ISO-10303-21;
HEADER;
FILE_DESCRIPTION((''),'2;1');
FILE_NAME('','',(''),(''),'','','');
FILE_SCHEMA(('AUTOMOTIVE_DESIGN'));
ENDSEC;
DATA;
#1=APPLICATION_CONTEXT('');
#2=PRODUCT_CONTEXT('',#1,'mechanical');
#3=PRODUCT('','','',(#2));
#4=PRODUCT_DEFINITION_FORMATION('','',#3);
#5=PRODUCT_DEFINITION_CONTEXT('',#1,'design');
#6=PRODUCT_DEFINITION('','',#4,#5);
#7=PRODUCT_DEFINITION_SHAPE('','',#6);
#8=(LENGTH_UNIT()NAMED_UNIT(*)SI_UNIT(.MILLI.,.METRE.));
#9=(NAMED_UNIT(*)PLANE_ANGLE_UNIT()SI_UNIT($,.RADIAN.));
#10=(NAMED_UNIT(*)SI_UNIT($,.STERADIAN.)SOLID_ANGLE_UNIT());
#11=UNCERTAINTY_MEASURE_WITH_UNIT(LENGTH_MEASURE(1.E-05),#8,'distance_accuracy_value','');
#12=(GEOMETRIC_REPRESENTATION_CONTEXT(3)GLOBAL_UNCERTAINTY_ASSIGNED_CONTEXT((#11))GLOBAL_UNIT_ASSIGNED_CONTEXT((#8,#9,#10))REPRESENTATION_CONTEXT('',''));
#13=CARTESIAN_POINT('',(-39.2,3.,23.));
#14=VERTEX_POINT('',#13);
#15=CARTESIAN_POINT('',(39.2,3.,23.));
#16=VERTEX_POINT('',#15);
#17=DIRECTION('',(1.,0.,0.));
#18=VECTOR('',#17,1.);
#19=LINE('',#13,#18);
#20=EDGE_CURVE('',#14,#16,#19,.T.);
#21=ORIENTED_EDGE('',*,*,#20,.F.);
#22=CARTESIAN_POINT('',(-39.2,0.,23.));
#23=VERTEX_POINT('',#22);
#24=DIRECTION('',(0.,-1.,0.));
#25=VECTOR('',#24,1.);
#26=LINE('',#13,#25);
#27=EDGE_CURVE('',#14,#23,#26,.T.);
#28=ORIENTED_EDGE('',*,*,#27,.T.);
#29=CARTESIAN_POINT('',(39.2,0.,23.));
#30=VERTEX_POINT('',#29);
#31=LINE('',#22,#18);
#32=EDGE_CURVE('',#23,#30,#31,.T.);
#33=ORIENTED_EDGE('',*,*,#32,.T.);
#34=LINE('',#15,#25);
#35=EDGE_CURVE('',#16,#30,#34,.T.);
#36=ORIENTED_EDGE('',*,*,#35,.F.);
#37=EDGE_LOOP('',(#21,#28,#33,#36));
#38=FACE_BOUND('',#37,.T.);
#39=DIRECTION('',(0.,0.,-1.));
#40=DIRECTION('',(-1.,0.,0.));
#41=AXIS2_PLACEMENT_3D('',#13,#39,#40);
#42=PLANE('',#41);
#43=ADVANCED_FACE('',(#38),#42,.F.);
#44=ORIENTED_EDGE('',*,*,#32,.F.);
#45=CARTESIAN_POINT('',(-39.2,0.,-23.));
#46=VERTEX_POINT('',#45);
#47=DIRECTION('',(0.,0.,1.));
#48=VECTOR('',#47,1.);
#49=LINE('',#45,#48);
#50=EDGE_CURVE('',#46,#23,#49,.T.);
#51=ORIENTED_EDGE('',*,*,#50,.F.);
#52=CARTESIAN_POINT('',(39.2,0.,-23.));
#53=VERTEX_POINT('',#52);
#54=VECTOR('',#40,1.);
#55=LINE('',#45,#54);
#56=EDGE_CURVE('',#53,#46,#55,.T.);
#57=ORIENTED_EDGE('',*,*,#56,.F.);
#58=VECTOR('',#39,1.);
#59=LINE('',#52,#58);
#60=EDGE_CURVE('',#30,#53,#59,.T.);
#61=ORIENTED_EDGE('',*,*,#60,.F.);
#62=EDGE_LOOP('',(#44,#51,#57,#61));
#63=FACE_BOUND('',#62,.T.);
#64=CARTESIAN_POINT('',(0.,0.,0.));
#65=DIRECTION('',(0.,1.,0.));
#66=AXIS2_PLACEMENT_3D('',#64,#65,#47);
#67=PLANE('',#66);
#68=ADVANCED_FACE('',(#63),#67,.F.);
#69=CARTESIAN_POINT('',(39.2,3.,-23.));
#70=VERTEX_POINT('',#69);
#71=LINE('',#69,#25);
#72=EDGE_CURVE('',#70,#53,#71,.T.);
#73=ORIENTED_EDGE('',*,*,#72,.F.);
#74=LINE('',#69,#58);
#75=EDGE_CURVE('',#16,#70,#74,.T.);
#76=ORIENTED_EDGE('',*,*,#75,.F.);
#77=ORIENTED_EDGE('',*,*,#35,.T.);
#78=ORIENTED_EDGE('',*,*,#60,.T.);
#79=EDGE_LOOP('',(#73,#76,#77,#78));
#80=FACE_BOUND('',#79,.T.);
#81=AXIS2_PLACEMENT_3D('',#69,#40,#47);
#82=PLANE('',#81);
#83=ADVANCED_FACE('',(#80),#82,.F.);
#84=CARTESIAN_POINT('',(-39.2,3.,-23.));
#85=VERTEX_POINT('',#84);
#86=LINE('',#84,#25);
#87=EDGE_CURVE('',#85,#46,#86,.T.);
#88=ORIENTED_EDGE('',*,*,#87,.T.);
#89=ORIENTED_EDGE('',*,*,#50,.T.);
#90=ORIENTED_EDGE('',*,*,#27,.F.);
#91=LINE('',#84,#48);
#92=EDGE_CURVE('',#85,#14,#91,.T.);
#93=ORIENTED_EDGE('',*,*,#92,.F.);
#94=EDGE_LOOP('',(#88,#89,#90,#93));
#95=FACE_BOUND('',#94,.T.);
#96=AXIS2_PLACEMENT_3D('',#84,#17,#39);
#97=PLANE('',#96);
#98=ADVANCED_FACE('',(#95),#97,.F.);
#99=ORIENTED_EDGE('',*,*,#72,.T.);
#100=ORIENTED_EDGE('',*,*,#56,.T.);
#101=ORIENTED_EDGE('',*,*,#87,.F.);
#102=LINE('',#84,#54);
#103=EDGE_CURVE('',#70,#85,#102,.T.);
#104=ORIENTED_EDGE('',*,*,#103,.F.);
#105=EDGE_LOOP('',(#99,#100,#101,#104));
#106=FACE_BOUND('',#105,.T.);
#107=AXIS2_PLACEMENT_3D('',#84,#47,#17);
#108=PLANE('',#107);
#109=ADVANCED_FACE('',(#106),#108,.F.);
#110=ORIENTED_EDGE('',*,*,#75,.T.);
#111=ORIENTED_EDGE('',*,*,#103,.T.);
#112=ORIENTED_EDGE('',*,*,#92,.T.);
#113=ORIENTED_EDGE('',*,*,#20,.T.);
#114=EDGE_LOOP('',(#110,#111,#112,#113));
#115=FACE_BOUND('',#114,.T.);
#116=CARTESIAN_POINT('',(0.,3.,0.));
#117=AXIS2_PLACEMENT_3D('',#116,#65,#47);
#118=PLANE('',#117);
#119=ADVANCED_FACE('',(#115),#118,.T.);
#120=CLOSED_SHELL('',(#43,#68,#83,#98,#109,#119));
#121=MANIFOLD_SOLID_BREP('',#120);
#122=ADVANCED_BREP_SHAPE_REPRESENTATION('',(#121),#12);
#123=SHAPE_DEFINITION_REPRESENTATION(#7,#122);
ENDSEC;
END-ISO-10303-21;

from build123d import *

# Parameters (mm, degrees)
SKETCH_1_W      = 78.4
SKETCH_1_H      = 46
EXTRUDE_1_DEPTH = 3


with BuildPart() as part:
    # 草圖1 → 填料-伸長1 (new body)
    with BuildSketch(Plane(origin=(0, 0, 0), x_dir=(1, 0, 0), z_dir=(0, 1, 0))):
        Rectangle(SKETCH_1_W, SKETCH_1_H)
    extrude(amount=EXTRUDE_1_DEPTH)


solid = part.part
